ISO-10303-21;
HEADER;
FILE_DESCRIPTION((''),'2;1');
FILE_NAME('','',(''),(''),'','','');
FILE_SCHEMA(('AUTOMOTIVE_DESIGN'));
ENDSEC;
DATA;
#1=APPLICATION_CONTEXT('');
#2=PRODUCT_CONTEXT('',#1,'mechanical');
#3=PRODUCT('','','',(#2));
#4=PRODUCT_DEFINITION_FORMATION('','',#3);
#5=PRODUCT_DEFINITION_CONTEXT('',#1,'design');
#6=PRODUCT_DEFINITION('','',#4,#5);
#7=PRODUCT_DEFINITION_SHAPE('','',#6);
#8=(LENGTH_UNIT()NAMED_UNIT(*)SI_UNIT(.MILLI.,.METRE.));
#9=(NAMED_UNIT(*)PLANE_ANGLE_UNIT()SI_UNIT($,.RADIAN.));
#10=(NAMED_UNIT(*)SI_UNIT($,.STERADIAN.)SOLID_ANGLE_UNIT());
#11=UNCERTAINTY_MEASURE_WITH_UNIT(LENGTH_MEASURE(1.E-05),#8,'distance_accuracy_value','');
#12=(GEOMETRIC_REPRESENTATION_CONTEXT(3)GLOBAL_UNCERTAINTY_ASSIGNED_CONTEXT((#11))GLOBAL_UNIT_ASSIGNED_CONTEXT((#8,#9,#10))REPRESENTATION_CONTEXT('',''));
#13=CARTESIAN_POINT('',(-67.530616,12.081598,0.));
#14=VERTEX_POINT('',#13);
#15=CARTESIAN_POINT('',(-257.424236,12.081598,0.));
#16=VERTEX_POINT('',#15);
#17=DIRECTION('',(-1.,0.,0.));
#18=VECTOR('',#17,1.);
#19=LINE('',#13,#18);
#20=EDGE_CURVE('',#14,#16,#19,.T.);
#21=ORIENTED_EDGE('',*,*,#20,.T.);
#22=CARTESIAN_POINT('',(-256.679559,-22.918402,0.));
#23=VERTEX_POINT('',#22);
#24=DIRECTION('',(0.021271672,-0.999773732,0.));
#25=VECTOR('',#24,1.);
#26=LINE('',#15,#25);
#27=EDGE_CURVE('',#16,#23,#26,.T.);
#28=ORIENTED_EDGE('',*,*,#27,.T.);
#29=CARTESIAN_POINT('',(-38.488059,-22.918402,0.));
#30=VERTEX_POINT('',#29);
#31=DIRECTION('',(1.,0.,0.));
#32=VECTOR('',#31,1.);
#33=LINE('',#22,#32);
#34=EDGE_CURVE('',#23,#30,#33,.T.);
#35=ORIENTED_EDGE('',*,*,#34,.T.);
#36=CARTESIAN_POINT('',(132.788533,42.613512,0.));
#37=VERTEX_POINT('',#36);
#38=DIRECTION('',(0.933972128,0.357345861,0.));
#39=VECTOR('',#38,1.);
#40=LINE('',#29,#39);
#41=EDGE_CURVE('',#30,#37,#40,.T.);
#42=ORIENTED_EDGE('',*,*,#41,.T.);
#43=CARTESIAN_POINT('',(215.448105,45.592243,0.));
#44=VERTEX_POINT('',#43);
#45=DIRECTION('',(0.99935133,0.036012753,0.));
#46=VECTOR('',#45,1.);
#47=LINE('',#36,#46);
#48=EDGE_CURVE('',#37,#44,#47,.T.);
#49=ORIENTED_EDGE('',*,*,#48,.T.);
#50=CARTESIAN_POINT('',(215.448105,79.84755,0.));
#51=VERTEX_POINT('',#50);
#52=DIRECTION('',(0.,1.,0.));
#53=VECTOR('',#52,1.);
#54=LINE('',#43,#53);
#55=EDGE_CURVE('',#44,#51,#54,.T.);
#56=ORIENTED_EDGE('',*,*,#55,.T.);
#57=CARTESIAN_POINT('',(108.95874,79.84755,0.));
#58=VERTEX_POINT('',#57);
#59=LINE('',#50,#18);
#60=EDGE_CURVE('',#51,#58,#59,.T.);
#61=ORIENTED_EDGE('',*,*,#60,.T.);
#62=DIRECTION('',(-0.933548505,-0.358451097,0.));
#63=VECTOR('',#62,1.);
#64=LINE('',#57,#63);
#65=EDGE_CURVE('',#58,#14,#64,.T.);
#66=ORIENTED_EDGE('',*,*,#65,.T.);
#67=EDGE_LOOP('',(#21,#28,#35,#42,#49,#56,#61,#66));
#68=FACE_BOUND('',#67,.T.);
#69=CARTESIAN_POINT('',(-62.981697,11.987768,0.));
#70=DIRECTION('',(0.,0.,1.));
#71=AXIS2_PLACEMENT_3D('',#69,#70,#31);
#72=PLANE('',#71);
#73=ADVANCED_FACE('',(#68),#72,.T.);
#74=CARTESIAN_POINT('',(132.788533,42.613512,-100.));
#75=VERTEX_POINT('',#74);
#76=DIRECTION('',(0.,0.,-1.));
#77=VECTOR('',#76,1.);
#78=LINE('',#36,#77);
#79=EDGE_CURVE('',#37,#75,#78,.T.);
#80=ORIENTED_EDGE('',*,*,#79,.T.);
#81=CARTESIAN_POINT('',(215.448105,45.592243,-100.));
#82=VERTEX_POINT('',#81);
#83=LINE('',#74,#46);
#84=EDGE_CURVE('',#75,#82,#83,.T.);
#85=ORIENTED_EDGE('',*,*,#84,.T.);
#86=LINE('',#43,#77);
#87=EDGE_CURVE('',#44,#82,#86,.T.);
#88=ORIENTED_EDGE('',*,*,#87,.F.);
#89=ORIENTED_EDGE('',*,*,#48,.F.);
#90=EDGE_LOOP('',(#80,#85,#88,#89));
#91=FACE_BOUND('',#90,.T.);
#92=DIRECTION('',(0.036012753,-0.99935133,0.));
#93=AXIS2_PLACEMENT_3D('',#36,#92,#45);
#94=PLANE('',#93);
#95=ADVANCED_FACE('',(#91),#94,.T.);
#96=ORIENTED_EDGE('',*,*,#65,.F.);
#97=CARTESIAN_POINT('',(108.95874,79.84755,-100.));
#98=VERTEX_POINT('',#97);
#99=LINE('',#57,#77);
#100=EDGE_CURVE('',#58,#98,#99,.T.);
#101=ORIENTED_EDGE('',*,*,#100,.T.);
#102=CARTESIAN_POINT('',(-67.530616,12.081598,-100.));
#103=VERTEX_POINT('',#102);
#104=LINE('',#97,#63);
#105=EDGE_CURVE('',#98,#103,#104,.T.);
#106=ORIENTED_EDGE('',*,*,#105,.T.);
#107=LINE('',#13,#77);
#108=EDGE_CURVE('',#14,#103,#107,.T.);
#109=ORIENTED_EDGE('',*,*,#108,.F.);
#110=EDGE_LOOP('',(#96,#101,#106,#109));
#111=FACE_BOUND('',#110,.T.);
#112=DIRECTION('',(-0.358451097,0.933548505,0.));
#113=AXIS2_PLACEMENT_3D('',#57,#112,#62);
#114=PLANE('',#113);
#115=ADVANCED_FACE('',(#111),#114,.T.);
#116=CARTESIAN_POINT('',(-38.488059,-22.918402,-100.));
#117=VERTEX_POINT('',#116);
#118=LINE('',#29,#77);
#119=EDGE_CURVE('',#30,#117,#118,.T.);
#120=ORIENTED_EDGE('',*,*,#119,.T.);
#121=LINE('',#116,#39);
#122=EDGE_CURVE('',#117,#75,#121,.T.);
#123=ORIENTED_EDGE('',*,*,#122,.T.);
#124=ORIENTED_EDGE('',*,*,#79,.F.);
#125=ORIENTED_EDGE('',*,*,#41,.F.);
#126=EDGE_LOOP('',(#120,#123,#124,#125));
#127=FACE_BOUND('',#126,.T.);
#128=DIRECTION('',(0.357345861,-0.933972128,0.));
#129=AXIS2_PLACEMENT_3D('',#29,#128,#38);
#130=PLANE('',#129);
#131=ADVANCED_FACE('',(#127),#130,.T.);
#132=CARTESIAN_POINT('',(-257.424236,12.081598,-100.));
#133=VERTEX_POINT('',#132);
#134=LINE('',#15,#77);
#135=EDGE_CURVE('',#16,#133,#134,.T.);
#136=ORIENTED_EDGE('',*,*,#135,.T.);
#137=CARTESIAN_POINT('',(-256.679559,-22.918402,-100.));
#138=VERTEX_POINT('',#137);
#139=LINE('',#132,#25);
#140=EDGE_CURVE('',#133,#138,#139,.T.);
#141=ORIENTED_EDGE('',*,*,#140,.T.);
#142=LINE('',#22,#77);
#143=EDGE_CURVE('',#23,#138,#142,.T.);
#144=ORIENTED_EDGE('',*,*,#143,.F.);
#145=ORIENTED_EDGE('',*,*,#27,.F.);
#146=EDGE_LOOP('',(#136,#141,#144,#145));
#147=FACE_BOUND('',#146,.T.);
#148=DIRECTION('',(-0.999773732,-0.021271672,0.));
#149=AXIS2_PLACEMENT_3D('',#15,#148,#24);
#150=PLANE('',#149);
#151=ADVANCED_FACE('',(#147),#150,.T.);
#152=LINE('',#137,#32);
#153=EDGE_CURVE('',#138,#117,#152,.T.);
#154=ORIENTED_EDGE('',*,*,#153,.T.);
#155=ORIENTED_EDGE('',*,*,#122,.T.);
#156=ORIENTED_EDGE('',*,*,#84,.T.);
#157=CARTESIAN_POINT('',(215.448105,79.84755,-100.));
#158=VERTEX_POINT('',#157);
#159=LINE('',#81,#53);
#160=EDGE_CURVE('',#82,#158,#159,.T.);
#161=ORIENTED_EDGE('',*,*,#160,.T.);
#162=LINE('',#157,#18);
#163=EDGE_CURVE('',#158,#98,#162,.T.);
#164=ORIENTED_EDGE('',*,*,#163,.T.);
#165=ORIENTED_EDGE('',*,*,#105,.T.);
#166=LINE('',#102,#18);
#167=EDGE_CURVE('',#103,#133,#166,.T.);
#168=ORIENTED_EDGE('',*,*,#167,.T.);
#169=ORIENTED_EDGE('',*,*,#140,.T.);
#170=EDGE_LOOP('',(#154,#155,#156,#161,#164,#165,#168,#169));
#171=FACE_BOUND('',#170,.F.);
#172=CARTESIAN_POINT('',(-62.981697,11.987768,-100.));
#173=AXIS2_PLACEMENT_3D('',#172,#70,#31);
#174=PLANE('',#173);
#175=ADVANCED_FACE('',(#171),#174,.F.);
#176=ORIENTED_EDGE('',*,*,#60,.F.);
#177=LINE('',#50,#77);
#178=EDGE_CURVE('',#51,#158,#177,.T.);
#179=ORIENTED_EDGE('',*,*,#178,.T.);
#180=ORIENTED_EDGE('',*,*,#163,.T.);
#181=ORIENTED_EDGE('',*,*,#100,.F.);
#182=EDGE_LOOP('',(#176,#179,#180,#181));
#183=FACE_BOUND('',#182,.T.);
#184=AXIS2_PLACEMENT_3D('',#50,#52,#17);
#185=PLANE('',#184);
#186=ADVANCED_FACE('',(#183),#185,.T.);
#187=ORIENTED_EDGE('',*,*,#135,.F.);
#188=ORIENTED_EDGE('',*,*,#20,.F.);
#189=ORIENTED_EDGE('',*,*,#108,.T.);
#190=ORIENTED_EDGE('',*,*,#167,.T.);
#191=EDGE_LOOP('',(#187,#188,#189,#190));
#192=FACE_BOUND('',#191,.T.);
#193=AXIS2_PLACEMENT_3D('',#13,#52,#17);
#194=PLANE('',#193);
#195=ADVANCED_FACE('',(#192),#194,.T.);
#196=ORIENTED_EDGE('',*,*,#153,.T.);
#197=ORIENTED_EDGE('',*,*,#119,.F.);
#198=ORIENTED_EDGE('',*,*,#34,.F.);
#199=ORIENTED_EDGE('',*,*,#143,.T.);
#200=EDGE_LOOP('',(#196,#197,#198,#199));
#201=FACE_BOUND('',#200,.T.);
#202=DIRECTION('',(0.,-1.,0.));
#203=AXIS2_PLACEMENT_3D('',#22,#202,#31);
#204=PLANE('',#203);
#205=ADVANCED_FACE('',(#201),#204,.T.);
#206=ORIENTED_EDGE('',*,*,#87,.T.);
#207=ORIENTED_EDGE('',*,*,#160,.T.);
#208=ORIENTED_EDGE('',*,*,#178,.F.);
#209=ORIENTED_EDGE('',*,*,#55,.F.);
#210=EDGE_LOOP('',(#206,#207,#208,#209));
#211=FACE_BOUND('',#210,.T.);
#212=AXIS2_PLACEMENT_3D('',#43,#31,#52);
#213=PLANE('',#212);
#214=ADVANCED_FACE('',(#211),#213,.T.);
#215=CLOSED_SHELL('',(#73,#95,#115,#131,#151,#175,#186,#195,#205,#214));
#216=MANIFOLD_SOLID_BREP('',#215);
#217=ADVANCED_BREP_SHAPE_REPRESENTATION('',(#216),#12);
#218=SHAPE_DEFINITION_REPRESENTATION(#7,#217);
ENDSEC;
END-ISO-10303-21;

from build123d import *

# Parameters (mm, degrees)
F1_DEPTH = 100


with BuildPart() as f1:
    # F0 (on Top) → F1 (new body)
    with BuildSketch(Plane.XY):
        Polygon((-67.530616, 12.081598), (-257.424236, 12.081598), (-256.679559, -22.918402), (-38.488059, -22.918402), (132.788533, 42.613512), (108.95874, 79.84755), align=None)
        Polygon((215.448105, 79.84755), (108.95874, 79.84755), (132.788533, 42.613512), (215.448105, 45.592243), align=None)
    extrude(amount=-F1_DEPTH)


solid = f1.part
